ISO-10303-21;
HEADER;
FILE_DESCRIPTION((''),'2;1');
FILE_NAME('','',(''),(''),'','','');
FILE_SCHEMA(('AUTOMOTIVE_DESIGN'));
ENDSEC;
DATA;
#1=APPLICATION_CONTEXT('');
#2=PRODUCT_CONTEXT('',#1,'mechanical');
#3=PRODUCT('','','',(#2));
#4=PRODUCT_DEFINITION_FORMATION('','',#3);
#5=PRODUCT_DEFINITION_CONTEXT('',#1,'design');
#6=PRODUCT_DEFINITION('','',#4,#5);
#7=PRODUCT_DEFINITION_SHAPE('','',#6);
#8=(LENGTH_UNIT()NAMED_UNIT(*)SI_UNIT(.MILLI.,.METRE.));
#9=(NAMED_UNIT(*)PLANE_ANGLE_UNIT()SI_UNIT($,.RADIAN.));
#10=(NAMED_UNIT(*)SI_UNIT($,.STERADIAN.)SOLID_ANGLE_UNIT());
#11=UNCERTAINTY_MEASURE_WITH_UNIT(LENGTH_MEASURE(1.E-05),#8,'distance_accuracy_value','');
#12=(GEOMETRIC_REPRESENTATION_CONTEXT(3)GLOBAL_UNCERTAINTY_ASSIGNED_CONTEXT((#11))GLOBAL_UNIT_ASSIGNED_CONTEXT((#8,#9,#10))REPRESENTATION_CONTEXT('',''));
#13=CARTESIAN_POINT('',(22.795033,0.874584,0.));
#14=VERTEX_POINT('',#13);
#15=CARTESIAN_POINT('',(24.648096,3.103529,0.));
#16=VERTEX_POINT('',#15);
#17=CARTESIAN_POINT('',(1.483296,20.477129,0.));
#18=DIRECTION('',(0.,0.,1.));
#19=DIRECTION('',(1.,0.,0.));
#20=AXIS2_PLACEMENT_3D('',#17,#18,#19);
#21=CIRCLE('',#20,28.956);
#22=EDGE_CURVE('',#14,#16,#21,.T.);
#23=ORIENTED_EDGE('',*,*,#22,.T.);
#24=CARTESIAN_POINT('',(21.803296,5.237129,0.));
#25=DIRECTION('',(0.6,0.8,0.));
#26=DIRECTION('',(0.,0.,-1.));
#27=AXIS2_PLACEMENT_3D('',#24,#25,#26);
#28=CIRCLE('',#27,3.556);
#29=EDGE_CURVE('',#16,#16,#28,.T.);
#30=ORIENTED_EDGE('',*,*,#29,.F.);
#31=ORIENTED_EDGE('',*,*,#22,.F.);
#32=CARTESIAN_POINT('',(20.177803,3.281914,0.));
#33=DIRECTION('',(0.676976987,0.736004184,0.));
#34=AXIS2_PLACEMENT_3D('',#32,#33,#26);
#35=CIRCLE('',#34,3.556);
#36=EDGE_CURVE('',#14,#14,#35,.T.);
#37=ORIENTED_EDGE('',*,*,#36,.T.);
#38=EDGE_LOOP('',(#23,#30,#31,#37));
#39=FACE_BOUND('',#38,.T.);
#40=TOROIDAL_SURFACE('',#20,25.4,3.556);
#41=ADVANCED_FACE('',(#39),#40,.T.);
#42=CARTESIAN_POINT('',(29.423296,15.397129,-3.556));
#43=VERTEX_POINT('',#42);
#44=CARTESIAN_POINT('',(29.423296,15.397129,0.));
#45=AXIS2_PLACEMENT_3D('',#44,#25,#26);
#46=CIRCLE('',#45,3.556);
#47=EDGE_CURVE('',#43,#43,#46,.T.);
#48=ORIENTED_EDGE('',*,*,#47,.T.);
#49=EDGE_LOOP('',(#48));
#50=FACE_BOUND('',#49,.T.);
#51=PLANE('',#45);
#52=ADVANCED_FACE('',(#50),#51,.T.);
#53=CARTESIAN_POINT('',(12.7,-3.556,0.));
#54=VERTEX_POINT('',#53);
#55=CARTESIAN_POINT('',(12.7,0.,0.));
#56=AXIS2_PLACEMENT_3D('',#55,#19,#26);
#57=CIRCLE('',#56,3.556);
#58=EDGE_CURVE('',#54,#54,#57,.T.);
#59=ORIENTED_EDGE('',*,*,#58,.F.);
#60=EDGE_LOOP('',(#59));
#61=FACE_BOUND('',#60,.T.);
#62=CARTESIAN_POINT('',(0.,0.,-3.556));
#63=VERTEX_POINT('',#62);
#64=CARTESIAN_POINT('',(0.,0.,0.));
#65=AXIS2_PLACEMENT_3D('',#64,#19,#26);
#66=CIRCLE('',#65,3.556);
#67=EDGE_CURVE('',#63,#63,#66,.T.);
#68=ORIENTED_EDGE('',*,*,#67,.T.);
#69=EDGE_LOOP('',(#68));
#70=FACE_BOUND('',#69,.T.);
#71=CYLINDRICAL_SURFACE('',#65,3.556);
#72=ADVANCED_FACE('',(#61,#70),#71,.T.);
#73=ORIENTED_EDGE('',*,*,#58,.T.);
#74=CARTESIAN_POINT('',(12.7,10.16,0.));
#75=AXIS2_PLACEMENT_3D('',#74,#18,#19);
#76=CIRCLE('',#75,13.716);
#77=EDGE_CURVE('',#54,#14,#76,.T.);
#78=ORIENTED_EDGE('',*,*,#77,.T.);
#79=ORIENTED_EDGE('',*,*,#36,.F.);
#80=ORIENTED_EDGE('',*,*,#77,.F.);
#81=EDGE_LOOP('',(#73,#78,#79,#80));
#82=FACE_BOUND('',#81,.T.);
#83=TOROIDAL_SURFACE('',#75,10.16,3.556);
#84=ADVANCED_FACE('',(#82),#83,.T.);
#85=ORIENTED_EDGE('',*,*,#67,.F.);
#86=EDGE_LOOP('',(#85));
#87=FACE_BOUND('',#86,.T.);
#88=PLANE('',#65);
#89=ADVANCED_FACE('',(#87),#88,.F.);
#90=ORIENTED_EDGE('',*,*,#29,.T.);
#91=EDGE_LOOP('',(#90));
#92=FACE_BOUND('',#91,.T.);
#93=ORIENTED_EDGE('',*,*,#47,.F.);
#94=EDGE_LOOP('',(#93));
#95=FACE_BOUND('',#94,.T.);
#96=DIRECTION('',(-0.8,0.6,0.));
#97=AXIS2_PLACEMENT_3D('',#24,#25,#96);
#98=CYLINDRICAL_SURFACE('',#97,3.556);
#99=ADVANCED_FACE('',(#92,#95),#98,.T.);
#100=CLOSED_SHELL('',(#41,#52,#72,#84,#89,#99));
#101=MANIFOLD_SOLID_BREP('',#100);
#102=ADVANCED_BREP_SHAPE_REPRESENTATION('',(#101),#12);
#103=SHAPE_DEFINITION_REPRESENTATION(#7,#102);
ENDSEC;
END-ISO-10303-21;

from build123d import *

# Parameters (mm, degrees)
SKETCH1_R = 3.556


with BuildPart() as part:
    # Sweep1: sweep along a path in Sketch3
    with BuildLine(Plane.XY) as sweep1_path:
        Line((0, 0), (12.7, 0))
        ThreePointArc((12.7, 0), (16.78315101, 0.856587839), (20.177802511, 3.281913813))
        ThreePointArc((20.177802511, 3.281913813), (21.01503046, 4.239168877), (21.803296233, 5.237129281))
        Line((21.803296233, 5.237129281), (29.423296233, 15.397129281))
    # Sketch1 → Sweep1 (sweep)
    with BuildSketch(Plane(origin=(0, 0, 0), x_dir=(0, 0, -1), z_dir=(1, 0, 0))):
        Circle(SKETCH1_R)
    sweep(path=sweep1_path.line)


solid = part.part
